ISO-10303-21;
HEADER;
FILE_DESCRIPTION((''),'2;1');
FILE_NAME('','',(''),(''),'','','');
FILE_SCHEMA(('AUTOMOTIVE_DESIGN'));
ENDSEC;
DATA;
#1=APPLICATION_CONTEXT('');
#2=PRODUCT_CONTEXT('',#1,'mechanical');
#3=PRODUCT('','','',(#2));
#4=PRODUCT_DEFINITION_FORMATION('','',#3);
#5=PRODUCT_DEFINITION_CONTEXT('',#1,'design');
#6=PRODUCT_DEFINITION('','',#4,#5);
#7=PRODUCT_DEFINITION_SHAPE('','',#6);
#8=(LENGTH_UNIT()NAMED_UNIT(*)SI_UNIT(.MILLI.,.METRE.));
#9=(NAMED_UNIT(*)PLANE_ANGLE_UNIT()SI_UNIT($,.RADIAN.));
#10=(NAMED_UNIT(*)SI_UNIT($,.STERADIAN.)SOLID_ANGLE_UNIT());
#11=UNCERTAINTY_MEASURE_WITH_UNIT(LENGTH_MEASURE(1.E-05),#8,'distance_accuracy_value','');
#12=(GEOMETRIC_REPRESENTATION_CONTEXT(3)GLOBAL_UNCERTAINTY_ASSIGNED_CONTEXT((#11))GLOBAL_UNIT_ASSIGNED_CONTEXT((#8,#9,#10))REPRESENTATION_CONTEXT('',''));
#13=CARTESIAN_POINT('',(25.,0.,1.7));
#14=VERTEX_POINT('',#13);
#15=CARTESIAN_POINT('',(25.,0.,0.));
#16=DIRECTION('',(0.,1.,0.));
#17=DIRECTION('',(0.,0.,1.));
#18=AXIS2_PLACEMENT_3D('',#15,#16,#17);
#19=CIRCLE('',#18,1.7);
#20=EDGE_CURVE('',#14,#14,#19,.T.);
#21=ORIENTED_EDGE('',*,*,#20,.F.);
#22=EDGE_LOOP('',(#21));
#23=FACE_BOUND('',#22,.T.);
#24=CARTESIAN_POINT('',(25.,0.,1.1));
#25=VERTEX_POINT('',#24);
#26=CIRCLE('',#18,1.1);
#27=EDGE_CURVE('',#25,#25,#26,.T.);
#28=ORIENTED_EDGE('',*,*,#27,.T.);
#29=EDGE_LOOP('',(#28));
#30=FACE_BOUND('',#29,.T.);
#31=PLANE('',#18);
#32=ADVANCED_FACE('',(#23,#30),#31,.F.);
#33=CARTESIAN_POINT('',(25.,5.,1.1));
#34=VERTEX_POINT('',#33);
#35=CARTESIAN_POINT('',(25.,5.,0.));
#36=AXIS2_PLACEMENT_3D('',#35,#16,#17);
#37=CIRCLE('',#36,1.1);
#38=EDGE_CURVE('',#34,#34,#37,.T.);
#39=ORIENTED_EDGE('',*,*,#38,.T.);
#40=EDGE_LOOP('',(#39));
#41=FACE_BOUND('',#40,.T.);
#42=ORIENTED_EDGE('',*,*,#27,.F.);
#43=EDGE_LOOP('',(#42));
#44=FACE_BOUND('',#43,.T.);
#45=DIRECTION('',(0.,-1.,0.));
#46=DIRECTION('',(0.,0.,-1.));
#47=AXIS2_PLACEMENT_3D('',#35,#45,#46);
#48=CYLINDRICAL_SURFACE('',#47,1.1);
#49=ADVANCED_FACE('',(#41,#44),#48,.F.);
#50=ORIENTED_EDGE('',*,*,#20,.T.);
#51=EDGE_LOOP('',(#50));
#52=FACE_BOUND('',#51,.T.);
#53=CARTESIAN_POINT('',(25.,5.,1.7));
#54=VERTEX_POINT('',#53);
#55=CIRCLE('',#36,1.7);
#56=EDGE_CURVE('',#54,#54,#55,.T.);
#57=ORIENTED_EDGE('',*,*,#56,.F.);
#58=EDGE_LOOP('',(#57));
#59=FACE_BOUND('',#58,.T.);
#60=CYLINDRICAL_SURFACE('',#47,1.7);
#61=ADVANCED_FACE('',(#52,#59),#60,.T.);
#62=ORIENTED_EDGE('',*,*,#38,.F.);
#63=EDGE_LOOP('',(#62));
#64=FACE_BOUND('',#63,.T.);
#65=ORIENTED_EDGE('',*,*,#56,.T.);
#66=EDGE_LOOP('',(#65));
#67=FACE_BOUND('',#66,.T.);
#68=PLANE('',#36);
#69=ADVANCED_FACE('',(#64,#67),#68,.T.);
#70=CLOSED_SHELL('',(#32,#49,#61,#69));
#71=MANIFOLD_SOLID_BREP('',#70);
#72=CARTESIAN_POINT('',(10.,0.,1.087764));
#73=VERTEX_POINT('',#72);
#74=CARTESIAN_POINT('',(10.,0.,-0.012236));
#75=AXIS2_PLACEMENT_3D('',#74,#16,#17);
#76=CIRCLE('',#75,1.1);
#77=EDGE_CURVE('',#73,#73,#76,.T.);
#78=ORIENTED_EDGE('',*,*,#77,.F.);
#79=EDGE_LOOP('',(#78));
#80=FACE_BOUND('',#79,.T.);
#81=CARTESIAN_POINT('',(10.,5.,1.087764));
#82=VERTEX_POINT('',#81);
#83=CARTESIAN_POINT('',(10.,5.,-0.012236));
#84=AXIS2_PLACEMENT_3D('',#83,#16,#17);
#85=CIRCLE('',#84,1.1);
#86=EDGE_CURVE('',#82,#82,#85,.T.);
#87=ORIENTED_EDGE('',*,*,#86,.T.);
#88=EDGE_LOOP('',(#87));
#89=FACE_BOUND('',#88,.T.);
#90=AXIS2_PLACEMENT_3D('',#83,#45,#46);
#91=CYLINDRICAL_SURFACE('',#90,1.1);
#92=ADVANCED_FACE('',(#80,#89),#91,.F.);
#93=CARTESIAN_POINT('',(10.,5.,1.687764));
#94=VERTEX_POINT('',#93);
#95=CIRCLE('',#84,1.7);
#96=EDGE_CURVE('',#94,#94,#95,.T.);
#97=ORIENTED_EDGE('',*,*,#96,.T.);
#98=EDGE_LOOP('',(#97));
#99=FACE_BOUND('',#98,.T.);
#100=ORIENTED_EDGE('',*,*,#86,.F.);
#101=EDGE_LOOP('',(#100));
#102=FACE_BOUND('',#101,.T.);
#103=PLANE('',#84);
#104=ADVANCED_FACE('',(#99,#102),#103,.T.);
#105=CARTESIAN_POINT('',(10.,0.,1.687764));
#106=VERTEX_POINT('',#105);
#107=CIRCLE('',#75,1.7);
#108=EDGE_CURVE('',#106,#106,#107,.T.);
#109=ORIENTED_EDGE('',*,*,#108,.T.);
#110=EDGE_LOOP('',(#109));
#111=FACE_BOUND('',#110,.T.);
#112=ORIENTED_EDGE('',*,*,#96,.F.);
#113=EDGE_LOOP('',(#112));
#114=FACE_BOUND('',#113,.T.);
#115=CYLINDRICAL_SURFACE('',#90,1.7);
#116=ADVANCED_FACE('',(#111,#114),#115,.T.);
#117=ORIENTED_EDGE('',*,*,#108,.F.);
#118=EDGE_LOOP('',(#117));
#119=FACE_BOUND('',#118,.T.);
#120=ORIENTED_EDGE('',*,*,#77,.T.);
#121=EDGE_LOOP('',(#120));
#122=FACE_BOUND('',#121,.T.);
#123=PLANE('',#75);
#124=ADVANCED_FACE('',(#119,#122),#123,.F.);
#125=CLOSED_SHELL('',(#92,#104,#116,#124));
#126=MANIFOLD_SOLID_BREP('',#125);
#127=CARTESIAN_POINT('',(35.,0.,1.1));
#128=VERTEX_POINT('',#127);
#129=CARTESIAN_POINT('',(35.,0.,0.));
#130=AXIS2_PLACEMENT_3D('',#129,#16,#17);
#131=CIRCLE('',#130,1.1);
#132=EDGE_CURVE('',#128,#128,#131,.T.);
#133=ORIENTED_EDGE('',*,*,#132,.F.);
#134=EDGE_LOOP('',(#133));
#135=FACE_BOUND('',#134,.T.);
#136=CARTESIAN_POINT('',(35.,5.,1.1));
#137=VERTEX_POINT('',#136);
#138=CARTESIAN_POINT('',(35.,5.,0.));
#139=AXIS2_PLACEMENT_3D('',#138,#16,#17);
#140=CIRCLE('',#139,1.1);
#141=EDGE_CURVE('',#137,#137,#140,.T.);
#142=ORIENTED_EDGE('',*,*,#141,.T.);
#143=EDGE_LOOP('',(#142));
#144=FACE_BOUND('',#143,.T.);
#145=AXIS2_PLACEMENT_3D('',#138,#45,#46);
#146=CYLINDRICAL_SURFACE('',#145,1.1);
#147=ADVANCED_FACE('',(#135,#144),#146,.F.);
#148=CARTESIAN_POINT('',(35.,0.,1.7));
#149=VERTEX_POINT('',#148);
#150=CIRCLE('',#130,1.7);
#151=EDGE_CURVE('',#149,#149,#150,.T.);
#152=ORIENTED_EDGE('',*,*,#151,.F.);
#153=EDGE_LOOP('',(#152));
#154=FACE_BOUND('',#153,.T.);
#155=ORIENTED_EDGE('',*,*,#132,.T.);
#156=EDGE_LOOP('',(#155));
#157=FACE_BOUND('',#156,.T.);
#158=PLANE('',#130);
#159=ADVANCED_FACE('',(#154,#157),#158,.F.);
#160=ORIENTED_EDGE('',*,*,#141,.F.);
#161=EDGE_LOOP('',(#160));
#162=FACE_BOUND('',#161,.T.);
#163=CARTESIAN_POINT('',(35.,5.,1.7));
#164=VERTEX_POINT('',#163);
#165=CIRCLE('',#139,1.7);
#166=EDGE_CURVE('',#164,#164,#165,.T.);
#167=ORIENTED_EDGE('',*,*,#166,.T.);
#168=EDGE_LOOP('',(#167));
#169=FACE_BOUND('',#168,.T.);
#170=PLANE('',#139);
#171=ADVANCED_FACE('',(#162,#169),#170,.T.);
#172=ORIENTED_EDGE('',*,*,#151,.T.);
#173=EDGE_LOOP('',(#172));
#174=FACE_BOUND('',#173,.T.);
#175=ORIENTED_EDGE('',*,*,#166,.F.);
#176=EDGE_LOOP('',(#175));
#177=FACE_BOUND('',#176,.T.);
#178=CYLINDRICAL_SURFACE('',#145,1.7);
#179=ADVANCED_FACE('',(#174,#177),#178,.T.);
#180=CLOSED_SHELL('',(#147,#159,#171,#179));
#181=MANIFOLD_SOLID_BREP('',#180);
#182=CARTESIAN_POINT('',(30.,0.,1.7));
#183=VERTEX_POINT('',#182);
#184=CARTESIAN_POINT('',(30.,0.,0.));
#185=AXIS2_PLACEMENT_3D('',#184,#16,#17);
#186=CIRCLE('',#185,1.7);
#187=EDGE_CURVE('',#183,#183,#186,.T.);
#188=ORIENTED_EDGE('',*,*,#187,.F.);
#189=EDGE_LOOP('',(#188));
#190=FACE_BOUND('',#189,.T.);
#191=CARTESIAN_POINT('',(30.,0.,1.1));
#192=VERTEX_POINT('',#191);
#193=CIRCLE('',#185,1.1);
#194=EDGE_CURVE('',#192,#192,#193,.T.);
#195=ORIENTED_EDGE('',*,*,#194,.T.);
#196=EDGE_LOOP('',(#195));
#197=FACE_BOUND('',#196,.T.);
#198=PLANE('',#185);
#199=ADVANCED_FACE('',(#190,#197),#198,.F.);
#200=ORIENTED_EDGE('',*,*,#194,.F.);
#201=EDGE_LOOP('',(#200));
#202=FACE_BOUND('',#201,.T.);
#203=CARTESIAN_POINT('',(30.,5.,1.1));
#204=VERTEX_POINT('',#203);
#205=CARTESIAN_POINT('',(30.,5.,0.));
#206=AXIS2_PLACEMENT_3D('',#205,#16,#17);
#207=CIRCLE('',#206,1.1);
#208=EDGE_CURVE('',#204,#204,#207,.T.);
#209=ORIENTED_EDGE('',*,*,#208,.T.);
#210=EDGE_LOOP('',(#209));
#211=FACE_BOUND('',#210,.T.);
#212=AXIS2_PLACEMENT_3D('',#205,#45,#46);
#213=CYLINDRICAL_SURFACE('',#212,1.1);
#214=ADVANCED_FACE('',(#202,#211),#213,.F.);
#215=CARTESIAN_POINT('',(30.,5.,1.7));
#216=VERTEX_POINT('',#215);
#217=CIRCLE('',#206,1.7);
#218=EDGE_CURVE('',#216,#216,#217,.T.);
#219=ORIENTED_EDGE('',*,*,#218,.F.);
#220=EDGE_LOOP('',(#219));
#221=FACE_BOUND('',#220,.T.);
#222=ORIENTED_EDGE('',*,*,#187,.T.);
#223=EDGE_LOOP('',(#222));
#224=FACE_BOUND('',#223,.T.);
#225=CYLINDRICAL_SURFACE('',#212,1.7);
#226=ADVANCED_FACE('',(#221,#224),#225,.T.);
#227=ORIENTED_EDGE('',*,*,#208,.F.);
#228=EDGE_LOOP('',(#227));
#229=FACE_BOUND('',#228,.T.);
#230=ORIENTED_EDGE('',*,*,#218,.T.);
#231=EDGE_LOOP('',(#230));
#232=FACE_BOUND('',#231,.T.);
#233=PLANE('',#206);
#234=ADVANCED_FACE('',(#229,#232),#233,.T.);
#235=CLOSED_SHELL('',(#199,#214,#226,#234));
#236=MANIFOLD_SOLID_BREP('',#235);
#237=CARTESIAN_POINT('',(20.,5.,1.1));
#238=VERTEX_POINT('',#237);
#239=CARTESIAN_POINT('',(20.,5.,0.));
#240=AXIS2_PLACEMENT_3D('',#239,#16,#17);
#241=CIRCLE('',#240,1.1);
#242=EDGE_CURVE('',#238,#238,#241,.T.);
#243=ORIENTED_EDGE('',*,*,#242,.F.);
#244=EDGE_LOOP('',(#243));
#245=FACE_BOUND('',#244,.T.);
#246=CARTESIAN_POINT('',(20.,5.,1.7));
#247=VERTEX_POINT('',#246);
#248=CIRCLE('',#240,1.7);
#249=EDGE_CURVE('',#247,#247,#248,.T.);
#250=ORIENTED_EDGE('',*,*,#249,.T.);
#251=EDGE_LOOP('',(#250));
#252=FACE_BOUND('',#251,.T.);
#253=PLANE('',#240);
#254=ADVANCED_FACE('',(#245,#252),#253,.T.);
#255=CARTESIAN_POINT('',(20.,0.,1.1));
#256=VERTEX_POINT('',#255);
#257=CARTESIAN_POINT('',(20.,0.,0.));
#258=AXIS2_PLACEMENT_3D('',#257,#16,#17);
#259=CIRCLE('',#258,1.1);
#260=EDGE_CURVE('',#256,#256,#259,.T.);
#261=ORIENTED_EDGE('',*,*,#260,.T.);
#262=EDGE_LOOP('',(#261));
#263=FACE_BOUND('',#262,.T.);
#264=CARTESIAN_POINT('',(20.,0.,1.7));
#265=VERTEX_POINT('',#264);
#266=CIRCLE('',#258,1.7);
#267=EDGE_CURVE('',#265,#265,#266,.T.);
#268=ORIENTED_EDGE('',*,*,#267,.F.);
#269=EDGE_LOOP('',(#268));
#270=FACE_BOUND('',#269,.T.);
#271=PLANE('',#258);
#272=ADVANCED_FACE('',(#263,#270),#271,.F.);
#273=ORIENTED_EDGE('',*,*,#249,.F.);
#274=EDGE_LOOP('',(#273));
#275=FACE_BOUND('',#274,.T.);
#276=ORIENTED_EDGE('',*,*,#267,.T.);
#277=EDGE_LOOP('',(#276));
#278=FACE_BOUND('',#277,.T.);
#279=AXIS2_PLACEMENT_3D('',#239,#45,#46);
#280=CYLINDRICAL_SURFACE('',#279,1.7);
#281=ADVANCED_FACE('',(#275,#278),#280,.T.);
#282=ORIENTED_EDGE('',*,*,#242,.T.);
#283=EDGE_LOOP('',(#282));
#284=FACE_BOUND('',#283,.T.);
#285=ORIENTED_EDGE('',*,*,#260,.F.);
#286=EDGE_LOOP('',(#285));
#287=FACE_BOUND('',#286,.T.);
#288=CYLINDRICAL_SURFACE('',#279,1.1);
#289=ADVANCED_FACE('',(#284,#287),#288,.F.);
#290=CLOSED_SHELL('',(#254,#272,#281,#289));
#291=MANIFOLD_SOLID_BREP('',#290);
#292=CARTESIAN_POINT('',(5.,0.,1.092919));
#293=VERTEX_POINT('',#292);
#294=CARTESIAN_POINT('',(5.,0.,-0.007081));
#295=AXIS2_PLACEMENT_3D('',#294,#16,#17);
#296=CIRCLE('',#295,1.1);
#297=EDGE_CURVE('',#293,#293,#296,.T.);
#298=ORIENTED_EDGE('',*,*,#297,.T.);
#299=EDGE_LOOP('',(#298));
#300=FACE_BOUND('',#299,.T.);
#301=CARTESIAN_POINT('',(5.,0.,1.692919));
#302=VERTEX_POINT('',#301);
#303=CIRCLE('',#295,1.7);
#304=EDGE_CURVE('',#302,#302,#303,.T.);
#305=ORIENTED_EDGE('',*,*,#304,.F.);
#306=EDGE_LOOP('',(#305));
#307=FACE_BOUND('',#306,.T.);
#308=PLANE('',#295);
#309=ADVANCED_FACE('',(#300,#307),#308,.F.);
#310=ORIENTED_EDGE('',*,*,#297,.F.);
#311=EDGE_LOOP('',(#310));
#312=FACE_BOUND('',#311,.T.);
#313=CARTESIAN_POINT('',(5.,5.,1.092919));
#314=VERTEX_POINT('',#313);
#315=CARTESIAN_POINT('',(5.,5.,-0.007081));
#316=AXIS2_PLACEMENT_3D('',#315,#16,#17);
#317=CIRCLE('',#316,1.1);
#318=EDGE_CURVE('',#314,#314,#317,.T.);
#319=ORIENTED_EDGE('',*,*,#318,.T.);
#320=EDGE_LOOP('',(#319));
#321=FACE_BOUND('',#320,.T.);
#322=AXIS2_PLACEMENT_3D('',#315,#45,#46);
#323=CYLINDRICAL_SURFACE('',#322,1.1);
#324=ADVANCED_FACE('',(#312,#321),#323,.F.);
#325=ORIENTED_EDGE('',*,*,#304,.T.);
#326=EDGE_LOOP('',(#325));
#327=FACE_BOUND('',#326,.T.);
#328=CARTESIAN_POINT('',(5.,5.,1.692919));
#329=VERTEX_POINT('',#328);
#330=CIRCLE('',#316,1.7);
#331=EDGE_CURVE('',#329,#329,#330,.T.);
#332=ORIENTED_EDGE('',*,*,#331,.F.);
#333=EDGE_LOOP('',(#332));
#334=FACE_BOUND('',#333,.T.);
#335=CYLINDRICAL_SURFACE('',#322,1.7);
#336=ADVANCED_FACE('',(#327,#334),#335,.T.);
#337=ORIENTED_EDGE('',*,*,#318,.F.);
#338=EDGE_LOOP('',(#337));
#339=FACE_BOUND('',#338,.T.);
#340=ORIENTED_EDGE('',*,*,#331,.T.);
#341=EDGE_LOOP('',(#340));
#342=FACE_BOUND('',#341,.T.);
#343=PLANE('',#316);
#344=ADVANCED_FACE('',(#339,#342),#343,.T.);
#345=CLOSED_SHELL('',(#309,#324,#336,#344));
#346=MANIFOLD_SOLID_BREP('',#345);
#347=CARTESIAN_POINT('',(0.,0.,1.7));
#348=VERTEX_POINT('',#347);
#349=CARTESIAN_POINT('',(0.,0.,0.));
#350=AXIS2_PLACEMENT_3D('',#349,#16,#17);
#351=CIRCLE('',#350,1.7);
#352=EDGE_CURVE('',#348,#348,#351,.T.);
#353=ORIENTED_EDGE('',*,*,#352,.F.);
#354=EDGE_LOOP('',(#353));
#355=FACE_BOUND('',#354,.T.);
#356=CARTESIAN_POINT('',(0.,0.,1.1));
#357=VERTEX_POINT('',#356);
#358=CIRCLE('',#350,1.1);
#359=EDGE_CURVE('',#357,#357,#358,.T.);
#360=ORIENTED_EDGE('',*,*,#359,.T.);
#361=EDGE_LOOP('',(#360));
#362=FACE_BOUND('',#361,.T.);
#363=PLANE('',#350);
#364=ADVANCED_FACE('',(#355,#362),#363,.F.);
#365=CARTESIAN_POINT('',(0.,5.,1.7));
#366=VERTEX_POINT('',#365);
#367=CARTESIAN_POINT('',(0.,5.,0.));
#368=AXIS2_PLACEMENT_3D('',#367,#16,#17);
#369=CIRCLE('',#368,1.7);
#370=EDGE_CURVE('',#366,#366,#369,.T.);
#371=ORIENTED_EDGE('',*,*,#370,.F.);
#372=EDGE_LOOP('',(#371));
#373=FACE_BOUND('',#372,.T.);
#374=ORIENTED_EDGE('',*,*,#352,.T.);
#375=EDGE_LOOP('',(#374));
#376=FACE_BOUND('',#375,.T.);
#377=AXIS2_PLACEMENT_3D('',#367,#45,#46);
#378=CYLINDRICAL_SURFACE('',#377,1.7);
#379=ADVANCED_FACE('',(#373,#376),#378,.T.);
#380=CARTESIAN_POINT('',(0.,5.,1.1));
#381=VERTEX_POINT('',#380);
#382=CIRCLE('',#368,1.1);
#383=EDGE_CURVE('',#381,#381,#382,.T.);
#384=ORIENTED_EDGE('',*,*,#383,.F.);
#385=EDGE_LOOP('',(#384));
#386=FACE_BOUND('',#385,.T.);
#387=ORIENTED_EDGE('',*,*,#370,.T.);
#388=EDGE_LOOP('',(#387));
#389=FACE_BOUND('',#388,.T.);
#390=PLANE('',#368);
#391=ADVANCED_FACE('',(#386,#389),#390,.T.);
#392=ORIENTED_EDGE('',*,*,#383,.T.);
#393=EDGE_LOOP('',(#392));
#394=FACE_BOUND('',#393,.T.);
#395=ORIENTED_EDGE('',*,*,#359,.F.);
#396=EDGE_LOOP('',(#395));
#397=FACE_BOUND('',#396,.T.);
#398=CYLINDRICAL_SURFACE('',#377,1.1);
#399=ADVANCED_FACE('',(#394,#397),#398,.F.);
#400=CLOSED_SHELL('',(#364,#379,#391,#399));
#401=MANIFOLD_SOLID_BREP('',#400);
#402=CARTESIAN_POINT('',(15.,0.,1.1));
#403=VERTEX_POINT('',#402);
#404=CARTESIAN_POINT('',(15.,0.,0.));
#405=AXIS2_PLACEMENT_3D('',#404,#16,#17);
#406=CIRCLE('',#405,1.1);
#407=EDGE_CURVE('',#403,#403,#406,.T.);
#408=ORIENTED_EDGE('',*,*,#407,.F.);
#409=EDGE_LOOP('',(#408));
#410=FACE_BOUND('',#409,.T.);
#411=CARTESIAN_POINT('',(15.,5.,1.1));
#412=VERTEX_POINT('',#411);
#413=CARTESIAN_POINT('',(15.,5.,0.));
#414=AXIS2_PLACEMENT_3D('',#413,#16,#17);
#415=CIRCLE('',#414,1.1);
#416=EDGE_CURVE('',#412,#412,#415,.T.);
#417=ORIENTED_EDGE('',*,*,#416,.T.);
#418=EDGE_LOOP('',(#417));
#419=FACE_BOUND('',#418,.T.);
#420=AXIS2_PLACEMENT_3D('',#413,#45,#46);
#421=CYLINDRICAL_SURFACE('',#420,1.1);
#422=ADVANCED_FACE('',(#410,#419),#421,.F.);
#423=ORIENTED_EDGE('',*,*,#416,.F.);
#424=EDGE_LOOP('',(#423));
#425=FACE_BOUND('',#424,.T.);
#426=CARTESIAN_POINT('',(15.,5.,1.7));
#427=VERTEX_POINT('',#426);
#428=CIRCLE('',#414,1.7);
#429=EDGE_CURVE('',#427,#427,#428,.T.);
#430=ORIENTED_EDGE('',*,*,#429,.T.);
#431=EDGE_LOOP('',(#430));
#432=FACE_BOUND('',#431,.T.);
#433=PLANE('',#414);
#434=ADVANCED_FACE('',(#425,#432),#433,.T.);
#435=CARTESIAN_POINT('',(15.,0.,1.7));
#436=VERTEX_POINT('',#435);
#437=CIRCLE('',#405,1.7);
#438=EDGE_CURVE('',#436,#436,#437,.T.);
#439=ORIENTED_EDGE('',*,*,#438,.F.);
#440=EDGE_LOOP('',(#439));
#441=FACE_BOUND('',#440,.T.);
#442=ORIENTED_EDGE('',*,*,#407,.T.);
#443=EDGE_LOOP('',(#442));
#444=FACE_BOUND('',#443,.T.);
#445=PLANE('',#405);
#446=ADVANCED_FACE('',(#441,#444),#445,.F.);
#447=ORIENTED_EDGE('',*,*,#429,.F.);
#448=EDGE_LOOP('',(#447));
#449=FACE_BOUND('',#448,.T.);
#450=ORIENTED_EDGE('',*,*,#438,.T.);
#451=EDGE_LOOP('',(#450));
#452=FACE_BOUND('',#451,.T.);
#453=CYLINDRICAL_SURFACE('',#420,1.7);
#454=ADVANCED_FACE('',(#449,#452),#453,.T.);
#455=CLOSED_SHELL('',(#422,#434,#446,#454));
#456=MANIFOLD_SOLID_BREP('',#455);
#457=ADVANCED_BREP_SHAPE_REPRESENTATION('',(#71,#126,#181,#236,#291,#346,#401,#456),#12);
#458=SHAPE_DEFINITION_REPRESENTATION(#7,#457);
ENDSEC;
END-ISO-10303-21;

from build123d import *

# Parameters (mm, degrees)
SKETCH1_R             = 1.7
SKETCH1_R_2           = 1.1
BOSS_EXTRUDE1_DEPTH   = 5
BOSS_EXTRUDE1_2_DEPTH = 5
BOSS_EXTRUDE1_3_DEPTH = 5
BOSS_EXTRUDE1_4_DEPTH = 5
BOSS_EXTRUDE1_5_DEPTH = 5
BOSS_EXTRUDE1_6_DEPTH = 5
BOSS_EXTRUDE1_7_DEPTH = 5
BOSS_EXTRUDE1_8_DEPTH = 5


with BuildPart() as part:
    # Sketch1 → Boss-Extrude1 (new body)
    with BuildSketch(Plane(origin=(0, 0, 0), x_dir=(1, 0, 0), z_dir=(0, 1, 0))):
        with Locations(Location((0, 0, 0), (0, 0, 270))):
            Circle(SKETCH1_R)
        with Locations(Location((0, 0, 0), (0, 0, 270))):
            Circle(SKETCH1_R_2, mode=Mode.SUBTRACT)
    extrude(amount=BOSS_EXTRUDE1_DEPTH)


with BuildPart() as body_2:
    # Sketch1 → Boss-Extrude1 2 (new body)
    with BuildSketch(Plane(origin=(0, 0, 0), x_dir=(1, 0, 0), z_dir=(0, 1, 0))):
        with Locations(Location((5, 0.007080747, 0), (0, 0, 270))):
            Circle(SKETCH1_R)
        with Locations(Location((5, 0.007080747, 0), (0, 0, 270))):
            Circle(SKETCH1_R_2, mode=Mode.SUBTRACT)
    extrude(amount=BOSS_EXTRUDE1_2_DEPTH)


with BuildPart() as body_3:
    # Sketch1 → Boss-Extrude1 3 (new body)
    with BuildSketch(Plane(origin=(0, 0, 0), x_dir=(1, 0, 0), z_dir=(0, 1, 0))):
        with Locations(Location((10, 0.012235531, 0), (0, 0, 270))):
            Circle(SKETCH1_R)
        with Locations(Location((10, 0.012235531, 0), (0, 0, 270))):
            Circle(SKETCH1_R_2, mode=Mode.SUBTRACT)
    extrude(amount=BOSS_EXTRUDE1_3_DEPTH)


with BuildPart() as body_4:
    # Sketch1 → Boss-Extrude1 4 (new body)
    with BuildSketch(Plane(origin=(0, 0, 0), x_dir=(1, 0, 0), z_dir=(0, 1, 0))):
        with Locations(Location((15, 0, 0), (0, 0, 270))):
            Circle(SKETCH1_R)
        with Locations(Location((15, 0, 0), (0, 0, 270))):
            Circle(SKETCH1_R_2, mode=Mode.SUBTRACT)
    extrude(amount=BOSS_EXTRUDE1_4_DEPTH)


with BuildPart() as body_5:
    # Sketch1 → Boss-Extrude1 5 (new body)
    with BuildSketch(Plane(origin=(0, 0, 0), x_dir=(1, 0, 0), z_dir=(0, 1, 0))):
        with Locations(Location((20, 0, 0), (0, 0, 270))):
            Circle(SKETCH1_R)
        with Locations(Location((20, 0, 0), (0, 0, 270))):
            Circle(SKETCH1_R_2, mode=Mode.SUBTRACT)
    extrude(amount=BOSS_EXTRUDE1_5_DEPTH)


with BuildPart() as body_6:
    # Sketch1 → Boss-Extrude1 6 (new body)
    with BuildSketch(Plane(origin=(0, 0, 0), x_dir=(1, 0, 0), z_dir=(0, 1, 0))):
        with Locations(Location((25, 0, 0), (0, 0, 270))):
            Circle(SKETCH1_R)
        with Locations(Location((25, 0, 0), (0, 0, 270))):
            Circle(SKETCH1_R_2, mode=Mode.SUBTRACT)
    extrude(amount=BOSS_EXTRUDE1_6_DEPTH)


with BuildPart() as body_7:
    # Sketch1 → Boss-Extrude1 7 (new body)
    with BuildSketch(Plane(origin=(0, 0, 0), x_dir=(1, 0, 0), z_dir=(0, 1, 0))):
        with Locations(Location((30, 0, 0), (0, 0, 270))):
            Circle(SKETCH1_R)
        with Locations(Location((30, 0, 0), (0, 0, 270))):
            Circle(SKETCH1_R_2, mode=Mode.SUBTRACT)
    extrude(amount=BOSS_EXTRUDE1_7_DEPTH)


with BuildPart() as body_8:
    # Sketch1 → Boss-Extrude1 8 (new body)
    with BuildSketch(Plane(origin=(0, 0, 0), x_dir=(1, 0, 0), z_dir=(0, 1, 0))):
        with Locations(Location((35, 0, 0), (0, 0, 270))):
            Circle(SKETCH1_R)
        with Locations(Location((35, 0, 0), (0, 0, 270))):
            Circle(SKETCH1_R_2, mode=Mode.SUBTRACT)
    extrude(amount=BOSS_EXTRUDE1_8_DEPTH)


solid = Compound([part.part, body_2.part, body_3.part, body_4.part, body_5.part, body_6.part, body_7.part, body_8.part])
